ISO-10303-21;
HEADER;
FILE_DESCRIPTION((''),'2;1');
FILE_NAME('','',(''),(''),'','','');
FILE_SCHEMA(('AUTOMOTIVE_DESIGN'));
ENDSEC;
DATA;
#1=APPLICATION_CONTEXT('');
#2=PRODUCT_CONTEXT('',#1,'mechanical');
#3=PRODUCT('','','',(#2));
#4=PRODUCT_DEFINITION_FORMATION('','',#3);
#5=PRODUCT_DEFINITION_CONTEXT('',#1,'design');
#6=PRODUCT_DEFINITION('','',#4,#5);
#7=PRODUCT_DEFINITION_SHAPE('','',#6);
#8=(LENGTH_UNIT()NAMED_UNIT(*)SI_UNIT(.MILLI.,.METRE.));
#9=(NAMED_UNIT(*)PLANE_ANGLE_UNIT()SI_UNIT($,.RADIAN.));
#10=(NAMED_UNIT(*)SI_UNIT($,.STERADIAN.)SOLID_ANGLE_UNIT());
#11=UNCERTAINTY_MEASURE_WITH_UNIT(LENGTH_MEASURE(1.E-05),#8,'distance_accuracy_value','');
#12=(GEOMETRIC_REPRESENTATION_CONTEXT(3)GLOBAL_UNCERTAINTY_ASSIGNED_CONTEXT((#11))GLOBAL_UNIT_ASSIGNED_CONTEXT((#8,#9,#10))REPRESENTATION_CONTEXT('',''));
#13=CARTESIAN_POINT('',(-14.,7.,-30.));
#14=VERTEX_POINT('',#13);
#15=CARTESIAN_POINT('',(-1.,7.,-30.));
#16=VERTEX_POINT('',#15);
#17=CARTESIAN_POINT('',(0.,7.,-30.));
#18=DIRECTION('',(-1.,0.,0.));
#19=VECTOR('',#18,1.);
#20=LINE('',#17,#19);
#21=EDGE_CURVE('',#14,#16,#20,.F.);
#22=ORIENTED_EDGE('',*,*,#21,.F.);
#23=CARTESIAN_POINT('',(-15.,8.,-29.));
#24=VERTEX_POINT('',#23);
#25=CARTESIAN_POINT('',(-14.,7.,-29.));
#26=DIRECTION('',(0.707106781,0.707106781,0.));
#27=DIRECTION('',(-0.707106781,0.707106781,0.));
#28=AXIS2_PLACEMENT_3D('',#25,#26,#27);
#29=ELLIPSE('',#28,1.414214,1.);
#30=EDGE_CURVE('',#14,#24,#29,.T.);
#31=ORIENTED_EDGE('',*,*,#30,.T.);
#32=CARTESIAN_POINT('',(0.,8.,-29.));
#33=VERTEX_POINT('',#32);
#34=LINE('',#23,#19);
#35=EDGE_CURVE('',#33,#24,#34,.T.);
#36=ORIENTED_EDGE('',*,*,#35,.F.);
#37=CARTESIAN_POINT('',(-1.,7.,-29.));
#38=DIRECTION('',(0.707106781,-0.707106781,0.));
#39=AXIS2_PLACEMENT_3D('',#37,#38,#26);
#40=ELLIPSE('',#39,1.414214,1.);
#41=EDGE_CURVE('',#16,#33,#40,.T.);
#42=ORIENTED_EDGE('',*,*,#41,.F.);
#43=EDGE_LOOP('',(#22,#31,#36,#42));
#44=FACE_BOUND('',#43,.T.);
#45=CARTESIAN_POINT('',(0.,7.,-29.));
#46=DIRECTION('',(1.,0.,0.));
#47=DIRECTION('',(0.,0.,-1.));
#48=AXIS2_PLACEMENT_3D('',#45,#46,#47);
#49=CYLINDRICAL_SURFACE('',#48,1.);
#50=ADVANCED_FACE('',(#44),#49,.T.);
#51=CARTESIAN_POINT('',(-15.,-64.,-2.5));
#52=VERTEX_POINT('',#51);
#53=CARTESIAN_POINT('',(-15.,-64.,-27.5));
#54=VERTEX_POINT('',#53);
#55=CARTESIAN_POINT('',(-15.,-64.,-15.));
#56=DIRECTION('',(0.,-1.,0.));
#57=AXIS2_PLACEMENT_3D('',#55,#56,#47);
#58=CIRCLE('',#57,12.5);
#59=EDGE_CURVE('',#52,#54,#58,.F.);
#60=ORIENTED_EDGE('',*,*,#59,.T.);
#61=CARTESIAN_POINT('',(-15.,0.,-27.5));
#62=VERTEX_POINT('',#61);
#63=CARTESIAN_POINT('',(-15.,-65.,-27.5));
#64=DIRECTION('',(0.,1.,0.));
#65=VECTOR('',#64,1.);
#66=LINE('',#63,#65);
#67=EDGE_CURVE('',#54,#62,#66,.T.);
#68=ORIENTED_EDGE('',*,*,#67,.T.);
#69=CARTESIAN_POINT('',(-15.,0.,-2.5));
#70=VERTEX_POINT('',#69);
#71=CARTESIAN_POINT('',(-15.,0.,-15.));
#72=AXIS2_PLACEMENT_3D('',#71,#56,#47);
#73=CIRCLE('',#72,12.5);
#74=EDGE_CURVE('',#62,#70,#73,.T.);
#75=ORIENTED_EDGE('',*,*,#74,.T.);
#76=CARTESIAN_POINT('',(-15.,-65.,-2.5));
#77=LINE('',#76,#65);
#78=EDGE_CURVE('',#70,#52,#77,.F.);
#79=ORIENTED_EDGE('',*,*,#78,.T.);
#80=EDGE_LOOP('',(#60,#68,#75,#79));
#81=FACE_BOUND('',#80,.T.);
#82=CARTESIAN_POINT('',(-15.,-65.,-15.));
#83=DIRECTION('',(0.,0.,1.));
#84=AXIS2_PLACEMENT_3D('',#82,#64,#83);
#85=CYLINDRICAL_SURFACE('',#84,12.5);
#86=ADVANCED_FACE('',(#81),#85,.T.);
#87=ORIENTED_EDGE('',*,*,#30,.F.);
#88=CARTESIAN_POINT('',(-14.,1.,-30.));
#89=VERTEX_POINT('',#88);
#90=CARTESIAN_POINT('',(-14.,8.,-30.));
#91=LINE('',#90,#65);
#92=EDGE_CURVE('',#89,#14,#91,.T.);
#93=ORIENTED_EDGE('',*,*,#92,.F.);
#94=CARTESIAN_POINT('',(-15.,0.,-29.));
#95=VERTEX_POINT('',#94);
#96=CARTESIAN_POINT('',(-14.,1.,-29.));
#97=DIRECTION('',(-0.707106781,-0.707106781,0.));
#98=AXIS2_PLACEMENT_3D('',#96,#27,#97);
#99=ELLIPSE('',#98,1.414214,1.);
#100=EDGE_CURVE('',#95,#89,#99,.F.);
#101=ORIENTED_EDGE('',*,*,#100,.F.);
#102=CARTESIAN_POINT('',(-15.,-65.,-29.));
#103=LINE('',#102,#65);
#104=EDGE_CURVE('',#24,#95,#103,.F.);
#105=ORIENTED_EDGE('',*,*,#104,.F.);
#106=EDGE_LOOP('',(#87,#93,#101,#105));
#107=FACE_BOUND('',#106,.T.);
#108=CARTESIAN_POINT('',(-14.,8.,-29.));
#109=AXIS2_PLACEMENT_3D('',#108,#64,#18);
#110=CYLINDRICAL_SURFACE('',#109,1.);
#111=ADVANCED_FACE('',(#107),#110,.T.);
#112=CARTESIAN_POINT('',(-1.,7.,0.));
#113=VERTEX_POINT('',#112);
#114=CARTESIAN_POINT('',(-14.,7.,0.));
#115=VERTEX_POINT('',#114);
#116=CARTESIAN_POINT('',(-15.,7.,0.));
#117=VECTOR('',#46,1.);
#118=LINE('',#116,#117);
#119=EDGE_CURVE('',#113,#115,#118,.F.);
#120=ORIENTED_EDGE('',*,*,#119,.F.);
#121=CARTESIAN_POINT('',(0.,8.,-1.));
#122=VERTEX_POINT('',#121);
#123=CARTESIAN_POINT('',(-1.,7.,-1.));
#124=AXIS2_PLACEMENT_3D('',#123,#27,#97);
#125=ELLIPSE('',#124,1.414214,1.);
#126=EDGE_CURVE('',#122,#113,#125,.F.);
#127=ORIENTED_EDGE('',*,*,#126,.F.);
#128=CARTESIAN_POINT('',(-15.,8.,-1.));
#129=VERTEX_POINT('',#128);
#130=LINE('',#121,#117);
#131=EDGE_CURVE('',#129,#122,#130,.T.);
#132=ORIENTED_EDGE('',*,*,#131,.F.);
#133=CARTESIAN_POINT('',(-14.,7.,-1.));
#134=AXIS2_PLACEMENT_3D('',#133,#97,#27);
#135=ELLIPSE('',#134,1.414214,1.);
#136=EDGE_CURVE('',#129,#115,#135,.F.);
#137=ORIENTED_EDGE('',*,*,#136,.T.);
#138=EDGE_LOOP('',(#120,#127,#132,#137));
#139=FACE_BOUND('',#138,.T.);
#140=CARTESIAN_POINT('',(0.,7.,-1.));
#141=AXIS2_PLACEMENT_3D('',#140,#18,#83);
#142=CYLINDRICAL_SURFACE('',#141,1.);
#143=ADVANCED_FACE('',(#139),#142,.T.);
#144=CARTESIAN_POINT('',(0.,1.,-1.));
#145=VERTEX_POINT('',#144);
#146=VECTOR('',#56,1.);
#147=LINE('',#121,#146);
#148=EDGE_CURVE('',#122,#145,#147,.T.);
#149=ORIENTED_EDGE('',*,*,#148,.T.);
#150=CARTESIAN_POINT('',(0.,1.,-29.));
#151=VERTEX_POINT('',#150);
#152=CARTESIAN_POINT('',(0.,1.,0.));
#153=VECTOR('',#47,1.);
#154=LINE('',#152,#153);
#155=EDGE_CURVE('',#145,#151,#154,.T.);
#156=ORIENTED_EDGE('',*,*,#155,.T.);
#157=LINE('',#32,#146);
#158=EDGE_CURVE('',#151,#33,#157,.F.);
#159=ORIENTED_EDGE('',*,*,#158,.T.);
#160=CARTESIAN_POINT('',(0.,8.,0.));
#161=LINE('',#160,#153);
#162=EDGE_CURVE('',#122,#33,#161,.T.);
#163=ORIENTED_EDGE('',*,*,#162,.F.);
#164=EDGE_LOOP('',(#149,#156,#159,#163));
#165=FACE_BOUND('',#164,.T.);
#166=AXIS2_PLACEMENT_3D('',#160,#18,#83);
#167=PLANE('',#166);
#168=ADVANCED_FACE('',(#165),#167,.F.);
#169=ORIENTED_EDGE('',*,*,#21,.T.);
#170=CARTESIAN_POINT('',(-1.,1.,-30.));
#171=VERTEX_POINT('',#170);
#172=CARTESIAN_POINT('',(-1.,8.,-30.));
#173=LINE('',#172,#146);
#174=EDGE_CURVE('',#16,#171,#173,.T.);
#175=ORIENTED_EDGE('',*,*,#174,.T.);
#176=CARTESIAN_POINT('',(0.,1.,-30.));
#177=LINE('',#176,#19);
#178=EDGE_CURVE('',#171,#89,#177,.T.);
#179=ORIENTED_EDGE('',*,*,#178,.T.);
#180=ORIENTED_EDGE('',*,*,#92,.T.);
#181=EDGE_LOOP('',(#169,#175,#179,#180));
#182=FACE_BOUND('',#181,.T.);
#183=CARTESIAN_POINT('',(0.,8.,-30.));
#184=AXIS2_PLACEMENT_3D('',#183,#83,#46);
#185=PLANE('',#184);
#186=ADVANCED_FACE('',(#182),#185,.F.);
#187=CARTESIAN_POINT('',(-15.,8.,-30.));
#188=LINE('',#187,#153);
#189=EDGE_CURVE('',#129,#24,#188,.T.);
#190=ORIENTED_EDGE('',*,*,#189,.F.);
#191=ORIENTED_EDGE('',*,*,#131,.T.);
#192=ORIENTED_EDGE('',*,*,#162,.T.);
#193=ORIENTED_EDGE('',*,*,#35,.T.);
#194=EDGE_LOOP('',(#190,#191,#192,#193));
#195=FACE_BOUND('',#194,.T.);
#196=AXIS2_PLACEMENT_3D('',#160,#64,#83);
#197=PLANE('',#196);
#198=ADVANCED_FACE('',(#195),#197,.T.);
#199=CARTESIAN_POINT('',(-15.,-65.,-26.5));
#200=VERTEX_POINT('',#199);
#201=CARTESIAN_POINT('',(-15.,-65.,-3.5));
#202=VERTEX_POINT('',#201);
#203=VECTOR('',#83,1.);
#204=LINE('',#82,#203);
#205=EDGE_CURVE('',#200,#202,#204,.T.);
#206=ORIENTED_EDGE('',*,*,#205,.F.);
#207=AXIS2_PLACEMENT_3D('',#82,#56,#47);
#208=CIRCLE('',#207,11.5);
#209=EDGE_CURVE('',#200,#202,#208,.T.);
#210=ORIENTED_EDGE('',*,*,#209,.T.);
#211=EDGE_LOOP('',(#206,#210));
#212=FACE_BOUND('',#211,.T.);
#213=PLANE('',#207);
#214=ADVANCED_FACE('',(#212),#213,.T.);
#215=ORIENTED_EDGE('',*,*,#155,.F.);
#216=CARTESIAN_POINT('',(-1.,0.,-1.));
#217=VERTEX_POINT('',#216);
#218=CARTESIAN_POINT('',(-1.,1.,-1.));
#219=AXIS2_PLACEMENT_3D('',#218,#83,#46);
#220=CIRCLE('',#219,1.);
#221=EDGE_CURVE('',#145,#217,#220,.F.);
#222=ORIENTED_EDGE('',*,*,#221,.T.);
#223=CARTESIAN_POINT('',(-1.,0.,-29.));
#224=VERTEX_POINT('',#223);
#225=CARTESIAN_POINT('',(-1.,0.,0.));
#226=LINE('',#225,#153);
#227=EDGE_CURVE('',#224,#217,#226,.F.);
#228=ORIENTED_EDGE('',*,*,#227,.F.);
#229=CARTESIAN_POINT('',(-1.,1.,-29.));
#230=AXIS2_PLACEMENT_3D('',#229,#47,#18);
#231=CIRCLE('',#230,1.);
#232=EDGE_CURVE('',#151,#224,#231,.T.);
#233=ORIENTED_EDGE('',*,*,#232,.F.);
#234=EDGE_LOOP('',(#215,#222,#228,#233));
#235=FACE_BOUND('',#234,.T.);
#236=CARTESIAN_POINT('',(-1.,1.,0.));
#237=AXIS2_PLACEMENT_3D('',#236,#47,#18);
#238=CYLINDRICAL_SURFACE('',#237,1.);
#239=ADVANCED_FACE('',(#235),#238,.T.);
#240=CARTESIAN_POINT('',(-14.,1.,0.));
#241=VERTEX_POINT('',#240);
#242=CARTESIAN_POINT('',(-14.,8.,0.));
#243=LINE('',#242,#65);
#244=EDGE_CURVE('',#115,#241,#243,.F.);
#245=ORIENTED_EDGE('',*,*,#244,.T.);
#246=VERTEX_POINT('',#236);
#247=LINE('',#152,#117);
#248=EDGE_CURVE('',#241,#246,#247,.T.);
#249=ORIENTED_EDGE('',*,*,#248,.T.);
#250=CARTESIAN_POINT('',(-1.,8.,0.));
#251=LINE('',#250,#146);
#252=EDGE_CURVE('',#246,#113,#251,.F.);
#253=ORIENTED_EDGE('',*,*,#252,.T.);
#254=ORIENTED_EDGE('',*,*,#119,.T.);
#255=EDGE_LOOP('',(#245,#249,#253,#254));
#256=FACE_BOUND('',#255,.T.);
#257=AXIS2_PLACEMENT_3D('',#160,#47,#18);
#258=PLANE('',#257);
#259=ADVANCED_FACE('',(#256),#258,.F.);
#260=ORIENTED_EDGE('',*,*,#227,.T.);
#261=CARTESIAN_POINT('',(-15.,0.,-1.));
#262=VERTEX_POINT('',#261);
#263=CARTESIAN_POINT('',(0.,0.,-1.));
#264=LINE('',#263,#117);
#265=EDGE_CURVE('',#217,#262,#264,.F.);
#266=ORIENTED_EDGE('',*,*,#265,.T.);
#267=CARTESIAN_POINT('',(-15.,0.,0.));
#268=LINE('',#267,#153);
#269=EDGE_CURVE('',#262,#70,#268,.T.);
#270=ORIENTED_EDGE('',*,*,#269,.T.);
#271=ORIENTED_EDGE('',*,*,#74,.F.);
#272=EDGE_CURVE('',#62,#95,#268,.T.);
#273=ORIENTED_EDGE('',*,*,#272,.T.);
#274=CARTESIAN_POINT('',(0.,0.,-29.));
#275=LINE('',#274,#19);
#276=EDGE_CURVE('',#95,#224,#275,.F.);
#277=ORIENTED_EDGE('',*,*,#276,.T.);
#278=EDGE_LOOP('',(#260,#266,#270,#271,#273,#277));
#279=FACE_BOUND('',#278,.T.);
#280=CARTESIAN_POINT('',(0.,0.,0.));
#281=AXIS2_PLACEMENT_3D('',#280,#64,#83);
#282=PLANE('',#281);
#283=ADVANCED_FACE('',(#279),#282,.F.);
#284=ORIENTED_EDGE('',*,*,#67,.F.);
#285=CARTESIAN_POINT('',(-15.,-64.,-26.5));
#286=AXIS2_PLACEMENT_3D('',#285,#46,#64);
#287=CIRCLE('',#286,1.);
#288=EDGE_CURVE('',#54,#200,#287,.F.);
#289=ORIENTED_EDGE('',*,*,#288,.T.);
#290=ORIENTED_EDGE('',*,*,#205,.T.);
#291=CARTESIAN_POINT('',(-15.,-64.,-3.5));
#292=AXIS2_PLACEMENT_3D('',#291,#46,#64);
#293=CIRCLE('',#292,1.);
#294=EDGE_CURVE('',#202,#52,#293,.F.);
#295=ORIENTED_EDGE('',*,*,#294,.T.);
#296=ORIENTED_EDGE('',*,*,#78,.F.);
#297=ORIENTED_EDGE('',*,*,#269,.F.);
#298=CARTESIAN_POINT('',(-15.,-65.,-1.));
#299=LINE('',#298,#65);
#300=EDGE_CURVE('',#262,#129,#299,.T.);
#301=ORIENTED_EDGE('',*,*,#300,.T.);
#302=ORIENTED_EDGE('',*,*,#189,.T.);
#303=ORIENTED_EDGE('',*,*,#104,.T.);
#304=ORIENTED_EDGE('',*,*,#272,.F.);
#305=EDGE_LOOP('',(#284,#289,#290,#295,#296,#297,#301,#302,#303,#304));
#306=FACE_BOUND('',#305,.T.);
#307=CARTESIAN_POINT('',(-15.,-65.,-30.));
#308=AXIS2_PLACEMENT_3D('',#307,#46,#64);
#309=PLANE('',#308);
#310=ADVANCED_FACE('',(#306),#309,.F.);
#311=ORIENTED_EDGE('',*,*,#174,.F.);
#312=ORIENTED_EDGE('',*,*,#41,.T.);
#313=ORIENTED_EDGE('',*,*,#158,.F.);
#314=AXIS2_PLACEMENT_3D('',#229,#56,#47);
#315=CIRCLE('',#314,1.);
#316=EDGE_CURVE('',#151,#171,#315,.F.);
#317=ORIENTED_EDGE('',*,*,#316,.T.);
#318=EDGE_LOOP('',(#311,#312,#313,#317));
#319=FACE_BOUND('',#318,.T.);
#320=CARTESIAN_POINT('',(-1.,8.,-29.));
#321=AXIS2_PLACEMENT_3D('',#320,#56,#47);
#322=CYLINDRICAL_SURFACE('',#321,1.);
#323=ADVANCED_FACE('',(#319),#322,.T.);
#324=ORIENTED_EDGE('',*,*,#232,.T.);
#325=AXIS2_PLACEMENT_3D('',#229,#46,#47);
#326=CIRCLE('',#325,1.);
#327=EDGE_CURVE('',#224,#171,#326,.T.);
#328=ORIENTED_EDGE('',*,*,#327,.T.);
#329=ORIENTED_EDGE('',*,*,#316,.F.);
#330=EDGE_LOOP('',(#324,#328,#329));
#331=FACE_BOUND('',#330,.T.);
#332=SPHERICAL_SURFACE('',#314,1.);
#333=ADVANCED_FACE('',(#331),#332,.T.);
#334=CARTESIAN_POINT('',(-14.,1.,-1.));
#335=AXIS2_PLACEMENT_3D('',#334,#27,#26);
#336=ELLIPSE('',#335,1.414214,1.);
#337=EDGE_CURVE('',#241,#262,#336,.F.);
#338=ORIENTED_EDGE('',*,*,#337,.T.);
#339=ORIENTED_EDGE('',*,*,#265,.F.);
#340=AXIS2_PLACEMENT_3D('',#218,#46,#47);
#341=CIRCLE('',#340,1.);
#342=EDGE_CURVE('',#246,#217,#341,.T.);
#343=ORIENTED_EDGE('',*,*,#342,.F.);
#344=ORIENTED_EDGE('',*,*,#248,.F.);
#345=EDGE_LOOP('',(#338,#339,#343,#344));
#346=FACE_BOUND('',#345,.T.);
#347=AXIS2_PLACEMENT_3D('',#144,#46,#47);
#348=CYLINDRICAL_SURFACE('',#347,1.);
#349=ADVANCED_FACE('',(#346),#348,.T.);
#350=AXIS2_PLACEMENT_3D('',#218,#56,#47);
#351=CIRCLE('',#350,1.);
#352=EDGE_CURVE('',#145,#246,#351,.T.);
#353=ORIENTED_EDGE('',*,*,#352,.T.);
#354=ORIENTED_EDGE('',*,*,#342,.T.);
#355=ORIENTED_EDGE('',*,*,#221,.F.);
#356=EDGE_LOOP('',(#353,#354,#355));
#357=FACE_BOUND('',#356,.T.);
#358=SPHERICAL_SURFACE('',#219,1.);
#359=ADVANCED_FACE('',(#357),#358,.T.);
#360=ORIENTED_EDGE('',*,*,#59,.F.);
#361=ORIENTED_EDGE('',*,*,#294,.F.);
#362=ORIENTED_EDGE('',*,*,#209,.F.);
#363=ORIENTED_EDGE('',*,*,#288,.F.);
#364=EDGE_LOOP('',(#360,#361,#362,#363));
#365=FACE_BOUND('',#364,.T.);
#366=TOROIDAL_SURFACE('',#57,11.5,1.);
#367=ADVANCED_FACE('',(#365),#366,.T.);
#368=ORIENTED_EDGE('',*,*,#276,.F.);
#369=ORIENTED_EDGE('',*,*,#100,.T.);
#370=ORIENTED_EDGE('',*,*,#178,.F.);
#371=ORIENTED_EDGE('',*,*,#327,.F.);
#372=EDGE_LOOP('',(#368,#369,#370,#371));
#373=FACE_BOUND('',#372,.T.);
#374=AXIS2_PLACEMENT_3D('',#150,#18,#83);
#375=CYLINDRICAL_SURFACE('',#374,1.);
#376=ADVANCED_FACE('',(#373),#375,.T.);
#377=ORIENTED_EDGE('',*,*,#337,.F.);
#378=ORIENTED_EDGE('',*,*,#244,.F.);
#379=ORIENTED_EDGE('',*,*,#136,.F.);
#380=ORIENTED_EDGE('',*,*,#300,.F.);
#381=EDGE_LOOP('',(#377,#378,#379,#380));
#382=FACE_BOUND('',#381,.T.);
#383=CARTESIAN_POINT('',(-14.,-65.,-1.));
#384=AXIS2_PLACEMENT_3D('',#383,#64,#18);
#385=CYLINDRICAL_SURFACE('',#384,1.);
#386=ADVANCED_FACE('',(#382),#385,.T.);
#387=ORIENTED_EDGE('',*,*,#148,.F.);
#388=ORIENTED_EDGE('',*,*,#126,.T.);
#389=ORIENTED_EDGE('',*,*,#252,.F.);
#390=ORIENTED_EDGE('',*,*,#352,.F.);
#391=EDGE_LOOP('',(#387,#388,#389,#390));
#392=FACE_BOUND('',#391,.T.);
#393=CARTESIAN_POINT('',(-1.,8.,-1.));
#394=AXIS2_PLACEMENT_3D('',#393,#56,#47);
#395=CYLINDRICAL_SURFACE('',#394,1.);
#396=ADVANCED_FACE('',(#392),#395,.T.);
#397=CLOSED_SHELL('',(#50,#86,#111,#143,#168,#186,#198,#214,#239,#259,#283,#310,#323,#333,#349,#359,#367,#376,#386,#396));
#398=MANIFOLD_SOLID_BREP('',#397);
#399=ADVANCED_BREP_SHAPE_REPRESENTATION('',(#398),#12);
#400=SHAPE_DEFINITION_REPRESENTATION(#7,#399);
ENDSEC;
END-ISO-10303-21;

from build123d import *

# Parameters (mm, degrees)
SKETCH_1_W          = 30
SKETCH_1_H          = 30
EXTRUDE_1_DEPTH     = 8
SKETCH_2_R          = 12.5
EXTRUDE_2_DEPTH     = 65
SKETCH_3_W          = 15
SKETCH_3_H          = 30
CUT_EXTRUDE_1_DEPTH = 85.433405711
FILLET_1_R          = 1
FILLET_2_R          = 1


with BuildPart() as part:
    # 草图1 → 凸台-拉伸1 (new body)
    with BuildSketch(Plane(origin=(0, 0, 0), x_dir=(1, 0, 0), z_dir=(0, 1, 0))):
        with Locations((-15, 15)):
            Rectangle(SKETCH_1_W, SKETCH_1_H)
    extrude(amount=EXTRUDE_1_DEPTH)

    # 草图2 → 凸台-拉伸2 (add)
    with BuildSketch(Plane.XZ):
        with Locations(Location((-15, -15, 0), (0, 0, 270))):
            Circle(SKETCH_2_R)
    extrude(amount=EXTRUDE_2_DEPTH)

    # 草图3 → 切除-拉伸1 (cut, through all)
    with BuildSketch(Plane(origin=(0, 8, 0), x_dir=(1, 0, 0), z_dir=(0, 1, 0))):
        with Locations((-22.5, 15)):
            Rectangle(SKETCH_3_W, SKETCH_3_H)
    extrude(amount=-CUT_EXTRUDE_1_DEPTH, mode=Mode.SUBTRACT)

    # 圆角1
    fillet_1_edges = [part.edges().sort_by_distance(p)[0] for p in [
        (-2.5, -65, -15),
    ]]
    fillet(fillet_1_edges, radius=FILLET_1_R)

    # 圆角2
    fillet_2_edges = [part.edges().sort_by_distance(p)[0] for p in [
        (-7.5, 0, 0),
        (-7.5, 8, 0),
        (-15, 4, 0),
        (-15, 4, -30),
        (-7.5, 0, -30),
        (0, 0, -15),
        (0, 4, 0),
        (0, 4, -30),
        (-7.5, 8, -30),
    ]]
    fillet(fillet_2_edges, radius=FILLET_2_R)


solid = part.part
